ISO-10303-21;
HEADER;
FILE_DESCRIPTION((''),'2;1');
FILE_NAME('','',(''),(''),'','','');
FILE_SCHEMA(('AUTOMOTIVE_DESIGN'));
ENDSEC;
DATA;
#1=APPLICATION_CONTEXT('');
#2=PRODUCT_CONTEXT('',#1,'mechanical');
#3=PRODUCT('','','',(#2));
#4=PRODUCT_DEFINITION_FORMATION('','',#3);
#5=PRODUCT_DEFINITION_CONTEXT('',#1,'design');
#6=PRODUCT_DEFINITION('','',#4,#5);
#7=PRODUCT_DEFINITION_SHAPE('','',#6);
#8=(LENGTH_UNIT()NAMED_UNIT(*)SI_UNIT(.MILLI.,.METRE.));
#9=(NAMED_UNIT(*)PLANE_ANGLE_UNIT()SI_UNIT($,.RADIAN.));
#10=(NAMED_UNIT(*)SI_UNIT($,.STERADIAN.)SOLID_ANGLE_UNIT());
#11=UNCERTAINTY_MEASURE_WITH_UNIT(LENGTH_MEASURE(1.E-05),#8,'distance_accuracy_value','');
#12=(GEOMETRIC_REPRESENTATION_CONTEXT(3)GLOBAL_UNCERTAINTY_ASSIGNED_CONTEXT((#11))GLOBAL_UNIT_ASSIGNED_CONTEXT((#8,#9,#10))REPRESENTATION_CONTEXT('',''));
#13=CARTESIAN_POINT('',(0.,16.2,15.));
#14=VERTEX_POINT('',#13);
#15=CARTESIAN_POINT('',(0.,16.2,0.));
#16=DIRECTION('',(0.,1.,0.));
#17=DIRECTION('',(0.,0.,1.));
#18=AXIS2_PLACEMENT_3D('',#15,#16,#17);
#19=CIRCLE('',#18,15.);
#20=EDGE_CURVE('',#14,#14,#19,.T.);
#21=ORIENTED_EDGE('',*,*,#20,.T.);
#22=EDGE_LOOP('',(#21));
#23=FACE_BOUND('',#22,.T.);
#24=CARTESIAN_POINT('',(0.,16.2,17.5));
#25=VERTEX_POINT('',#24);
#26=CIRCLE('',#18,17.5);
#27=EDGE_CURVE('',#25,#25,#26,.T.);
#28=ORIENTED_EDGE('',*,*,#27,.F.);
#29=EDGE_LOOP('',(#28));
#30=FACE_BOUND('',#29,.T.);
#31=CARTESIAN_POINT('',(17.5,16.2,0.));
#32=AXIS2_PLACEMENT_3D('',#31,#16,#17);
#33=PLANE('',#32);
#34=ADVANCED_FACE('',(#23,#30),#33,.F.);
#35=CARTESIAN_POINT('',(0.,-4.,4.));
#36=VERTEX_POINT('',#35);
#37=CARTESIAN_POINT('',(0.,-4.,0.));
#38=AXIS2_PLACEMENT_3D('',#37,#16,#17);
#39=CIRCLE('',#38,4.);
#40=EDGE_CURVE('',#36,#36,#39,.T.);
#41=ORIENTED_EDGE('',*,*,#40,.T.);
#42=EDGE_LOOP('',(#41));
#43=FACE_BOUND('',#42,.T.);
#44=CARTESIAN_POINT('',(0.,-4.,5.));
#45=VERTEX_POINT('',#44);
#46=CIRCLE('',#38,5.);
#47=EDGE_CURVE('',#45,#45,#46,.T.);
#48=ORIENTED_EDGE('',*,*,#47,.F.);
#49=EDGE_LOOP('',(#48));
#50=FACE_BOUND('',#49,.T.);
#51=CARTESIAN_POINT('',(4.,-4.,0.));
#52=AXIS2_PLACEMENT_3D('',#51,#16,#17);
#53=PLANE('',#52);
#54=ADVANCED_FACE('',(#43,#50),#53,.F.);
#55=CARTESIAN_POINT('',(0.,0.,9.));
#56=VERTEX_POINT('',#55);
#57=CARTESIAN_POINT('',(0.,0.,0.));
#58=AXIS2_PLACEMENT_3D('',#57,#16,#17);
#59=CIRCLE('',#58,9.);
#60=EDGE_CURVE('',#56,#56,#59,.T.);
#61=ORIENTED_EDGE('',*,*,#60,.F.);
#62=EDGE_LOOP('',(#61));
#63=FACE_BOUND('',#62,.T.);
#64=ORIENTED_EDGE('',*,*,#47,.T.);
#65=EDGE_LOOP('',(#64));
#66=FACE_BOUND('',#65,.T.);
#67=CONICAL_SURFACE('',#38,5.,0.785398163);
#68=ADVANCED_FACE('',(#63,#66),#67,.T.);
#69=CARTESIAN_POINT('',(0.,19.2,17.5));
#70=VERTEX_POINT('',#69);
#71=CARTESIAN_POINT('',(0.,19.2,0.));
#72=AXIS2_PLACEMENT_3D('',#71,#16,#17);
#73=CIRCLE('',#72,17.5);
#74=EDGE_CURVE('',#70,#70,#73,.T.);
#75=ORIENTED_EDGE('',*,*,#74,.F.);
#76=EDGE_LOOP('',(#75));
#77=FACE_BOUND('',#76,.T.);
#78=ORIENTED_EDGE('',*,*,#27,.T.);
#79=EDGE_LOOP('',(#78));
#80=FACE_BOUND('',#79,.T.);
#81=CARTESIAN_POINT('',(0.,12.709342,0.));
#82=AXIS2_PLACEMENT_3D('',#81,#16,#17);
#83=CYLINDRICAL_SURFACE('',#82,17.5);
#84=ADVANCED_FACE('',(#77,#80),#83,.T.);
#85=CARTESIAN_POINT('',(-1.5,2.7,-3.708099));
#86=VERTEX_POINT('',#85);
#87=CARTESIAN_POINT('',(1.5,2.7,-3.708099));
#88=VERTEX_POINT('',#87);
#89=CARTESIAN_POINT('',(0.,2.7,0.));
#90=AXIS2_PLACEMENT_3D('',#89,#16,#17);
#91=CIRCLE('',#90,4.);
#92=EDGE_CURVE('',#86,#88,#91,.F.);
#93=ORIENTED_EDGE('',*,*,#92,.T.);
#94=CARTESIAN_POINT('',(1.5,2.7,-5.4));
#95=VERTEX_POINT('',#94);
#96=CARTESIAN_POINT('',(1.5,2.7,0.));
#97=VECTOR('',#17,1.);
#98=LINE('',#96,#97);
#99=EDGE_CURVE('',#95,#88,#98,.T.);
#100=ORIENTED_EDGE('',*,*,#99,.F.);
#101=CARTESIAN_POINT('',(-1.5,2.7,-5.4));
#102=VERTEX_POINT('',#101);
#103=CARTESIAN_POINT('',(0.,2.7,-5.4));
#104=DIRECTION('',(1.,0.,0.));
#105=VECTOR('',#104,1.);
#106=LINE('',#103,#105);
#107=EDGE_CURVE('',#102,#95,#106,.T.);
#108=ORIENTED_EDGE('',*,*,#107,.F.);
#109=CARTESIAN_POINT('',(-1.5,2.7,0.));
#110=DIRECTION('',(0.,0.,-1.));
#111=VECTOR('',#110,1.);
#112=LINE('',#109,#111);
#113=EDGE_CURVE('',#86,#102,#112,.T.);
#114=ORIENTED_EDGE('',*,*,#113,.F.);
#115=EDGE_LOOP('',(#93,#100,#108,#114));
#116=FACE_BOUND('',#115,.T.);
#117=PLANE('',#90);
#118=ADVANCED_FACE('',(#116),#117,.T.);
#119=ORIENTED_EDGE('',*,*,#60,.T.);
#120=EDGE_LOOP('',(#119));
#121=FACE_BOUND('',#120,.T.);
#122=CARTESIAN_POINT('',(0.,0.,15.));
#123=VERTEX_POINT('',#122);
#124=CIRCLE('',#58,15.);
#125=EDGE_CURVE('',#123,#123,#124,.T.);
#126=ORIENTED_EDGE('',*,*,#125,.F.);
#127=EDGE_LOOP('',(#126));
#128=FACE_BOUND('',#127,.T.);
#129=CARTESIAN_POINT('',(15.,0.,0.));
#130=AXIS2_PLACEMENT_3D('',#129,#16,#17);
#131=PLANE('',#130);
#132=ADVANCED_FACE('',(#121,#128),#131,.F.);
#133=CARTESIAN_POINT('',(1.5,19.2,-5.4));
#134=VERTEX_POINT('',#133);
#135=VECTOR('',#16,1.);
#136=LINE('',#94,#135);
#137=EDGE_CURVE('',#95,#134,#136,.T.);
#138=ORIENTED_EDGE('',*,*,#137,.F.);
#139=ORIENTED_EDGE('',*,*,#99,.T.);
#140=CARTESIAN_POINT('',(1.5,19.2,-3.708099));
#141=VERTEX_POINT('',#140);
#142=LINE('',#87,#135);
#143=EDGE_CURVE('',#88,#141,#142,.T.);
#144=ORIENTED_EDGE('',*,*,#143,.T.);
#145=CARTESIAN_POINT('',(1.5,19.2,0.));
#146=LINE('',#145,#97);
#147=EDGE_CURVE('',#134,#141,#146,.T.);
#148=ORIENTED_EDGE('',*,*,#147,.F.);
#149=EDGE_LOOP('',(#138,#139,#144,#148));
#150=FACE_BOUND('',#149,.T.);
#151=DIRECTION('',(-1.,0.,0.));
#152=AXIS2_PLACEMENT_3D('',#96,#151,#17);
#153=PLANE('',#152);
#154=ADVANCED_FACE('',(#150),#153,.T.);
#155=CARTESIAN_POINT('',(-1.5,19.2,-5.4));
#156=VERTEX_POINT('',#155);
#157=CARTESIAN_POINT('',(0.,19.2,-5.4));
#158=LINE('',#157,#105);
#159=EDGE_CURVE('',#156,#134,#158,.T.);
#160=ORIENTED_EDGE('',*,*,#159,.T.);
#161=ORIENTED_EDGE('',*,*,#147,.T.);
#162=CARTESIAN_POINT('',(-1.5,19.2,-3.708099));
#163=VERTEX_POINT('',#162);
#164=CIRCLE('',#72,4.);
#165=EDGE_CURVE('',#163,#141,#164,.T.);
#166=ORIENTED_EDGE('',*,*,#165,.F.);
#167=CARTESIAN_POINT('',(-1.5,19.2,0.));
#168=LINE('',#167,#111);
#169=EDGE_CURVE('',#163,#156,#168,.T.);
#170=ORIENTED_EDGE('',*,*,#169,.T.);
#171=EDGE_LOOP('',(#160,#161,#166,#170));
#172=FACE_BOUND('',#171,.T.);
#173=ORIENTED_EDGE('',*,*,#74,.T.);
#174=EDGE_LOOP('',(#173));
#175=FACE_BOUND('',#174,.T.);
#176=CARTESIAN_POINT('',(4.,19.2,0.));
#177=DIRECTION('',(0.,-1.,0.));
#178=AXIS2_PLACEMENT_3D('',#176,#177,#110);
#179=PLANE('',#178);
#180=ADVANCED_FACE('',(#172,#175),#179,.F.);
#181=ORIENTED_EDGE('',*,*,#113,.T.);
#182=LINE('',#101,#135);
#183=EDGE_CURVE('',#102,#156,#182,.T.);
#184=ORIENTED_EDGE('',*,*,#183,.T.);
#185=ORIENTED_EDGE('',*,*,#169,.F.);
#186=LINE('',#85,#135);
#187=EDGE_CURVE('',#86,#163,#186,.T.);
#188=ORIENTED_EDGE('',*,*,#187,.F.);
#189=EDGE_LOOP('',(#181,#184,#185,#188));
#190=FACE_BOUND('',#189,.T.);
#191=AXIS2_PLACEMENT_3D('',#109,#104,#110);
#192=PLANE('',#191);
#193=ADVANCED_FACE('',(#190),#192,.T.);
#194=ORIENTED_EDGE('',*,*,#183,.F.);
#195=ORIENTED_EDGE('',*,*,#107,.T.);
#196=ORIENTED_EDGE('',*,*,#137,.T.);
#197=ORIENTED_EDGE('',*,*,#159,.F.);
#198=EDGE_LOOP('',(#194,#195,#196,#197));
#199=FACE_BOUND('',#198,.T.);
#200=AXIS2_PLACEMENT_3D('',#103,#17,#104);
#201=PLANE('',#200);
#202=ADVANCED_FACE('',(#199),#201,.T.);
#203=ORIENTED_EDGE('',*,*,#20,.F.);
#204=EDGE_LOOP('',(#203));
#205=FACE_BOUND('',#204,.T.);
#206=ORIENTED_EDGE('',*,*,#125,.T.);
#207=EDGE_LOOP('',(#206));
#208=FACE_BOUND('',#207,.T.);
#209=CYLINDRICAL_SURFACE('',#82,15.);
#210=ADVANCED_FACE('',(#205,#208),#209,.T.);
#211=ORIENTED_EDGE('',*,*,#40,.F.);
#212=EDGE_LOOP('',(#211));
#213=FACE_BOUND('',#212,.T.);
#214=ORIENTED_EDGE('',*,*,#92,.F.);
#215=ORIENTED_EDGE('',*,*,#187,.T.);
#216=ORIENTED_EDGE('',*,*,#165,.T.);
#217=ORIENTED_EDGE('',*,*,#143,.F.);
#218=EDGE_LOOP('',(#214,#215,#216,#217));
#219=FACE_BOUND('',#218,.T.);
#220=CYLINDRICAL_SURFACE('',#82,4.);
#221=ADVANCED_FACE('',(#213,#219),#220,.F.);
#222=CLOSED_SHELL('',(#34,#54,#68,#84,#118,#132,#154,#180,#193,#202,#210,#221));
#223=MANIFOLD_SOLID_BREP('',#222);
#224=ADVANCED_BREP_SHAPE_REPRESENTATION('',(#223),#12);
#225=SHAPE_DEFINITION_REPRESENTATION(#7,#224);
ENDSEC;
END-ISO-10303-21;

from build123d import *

# Parameters (mm, degrees)
ENL_V_MAT_EXTRU_1_DEPTH = 16.5


with BuildPart() as part:
    # Sketch1 → Revolve1 (revolve)
    with BuildSketch(Plane.XY, mode=Mode.PRIVATE) as revolve1_sk:
        Polygon((4, 19.2), (17.5, 19.2), (17.5, 16.2), (15, 16.2), (15, 0), (9, 0), (5, -4), (4, -4), align=None)
    revolve(revolve1_sk.sketch.rotate(Axis((0, 12.709342281, 0), (0, -1, 0)), 90), axis=Axis((0, 12.709342281, 0), (0, -1, 0)))

    # Esquisse1 → Enlèv. mat.-Extru.1 (cut)
    with BuildSketch(Plane(origin=(0, 19.2, 0), x_dir=(1, 0, 0), z_dir=(0, 1, 0))):
        with BuildLine():
            Line((-1.5, 5.4), (-1.5, 3.708099244))
            ThreePointArc((-1.5, 3.708099244), (0, 4), (1.5, 3.708099244))
            Line((1.5, 3.708099244), (1.5, 5.4))
            Line((1.5, 5.4), (-1.5, 5.4))
        make_face()
    extrude(amount=-ENL_V_MAT_EXTRU_1_DEPTH, mode=Mode.SUBTRACT)


solid = part.part
